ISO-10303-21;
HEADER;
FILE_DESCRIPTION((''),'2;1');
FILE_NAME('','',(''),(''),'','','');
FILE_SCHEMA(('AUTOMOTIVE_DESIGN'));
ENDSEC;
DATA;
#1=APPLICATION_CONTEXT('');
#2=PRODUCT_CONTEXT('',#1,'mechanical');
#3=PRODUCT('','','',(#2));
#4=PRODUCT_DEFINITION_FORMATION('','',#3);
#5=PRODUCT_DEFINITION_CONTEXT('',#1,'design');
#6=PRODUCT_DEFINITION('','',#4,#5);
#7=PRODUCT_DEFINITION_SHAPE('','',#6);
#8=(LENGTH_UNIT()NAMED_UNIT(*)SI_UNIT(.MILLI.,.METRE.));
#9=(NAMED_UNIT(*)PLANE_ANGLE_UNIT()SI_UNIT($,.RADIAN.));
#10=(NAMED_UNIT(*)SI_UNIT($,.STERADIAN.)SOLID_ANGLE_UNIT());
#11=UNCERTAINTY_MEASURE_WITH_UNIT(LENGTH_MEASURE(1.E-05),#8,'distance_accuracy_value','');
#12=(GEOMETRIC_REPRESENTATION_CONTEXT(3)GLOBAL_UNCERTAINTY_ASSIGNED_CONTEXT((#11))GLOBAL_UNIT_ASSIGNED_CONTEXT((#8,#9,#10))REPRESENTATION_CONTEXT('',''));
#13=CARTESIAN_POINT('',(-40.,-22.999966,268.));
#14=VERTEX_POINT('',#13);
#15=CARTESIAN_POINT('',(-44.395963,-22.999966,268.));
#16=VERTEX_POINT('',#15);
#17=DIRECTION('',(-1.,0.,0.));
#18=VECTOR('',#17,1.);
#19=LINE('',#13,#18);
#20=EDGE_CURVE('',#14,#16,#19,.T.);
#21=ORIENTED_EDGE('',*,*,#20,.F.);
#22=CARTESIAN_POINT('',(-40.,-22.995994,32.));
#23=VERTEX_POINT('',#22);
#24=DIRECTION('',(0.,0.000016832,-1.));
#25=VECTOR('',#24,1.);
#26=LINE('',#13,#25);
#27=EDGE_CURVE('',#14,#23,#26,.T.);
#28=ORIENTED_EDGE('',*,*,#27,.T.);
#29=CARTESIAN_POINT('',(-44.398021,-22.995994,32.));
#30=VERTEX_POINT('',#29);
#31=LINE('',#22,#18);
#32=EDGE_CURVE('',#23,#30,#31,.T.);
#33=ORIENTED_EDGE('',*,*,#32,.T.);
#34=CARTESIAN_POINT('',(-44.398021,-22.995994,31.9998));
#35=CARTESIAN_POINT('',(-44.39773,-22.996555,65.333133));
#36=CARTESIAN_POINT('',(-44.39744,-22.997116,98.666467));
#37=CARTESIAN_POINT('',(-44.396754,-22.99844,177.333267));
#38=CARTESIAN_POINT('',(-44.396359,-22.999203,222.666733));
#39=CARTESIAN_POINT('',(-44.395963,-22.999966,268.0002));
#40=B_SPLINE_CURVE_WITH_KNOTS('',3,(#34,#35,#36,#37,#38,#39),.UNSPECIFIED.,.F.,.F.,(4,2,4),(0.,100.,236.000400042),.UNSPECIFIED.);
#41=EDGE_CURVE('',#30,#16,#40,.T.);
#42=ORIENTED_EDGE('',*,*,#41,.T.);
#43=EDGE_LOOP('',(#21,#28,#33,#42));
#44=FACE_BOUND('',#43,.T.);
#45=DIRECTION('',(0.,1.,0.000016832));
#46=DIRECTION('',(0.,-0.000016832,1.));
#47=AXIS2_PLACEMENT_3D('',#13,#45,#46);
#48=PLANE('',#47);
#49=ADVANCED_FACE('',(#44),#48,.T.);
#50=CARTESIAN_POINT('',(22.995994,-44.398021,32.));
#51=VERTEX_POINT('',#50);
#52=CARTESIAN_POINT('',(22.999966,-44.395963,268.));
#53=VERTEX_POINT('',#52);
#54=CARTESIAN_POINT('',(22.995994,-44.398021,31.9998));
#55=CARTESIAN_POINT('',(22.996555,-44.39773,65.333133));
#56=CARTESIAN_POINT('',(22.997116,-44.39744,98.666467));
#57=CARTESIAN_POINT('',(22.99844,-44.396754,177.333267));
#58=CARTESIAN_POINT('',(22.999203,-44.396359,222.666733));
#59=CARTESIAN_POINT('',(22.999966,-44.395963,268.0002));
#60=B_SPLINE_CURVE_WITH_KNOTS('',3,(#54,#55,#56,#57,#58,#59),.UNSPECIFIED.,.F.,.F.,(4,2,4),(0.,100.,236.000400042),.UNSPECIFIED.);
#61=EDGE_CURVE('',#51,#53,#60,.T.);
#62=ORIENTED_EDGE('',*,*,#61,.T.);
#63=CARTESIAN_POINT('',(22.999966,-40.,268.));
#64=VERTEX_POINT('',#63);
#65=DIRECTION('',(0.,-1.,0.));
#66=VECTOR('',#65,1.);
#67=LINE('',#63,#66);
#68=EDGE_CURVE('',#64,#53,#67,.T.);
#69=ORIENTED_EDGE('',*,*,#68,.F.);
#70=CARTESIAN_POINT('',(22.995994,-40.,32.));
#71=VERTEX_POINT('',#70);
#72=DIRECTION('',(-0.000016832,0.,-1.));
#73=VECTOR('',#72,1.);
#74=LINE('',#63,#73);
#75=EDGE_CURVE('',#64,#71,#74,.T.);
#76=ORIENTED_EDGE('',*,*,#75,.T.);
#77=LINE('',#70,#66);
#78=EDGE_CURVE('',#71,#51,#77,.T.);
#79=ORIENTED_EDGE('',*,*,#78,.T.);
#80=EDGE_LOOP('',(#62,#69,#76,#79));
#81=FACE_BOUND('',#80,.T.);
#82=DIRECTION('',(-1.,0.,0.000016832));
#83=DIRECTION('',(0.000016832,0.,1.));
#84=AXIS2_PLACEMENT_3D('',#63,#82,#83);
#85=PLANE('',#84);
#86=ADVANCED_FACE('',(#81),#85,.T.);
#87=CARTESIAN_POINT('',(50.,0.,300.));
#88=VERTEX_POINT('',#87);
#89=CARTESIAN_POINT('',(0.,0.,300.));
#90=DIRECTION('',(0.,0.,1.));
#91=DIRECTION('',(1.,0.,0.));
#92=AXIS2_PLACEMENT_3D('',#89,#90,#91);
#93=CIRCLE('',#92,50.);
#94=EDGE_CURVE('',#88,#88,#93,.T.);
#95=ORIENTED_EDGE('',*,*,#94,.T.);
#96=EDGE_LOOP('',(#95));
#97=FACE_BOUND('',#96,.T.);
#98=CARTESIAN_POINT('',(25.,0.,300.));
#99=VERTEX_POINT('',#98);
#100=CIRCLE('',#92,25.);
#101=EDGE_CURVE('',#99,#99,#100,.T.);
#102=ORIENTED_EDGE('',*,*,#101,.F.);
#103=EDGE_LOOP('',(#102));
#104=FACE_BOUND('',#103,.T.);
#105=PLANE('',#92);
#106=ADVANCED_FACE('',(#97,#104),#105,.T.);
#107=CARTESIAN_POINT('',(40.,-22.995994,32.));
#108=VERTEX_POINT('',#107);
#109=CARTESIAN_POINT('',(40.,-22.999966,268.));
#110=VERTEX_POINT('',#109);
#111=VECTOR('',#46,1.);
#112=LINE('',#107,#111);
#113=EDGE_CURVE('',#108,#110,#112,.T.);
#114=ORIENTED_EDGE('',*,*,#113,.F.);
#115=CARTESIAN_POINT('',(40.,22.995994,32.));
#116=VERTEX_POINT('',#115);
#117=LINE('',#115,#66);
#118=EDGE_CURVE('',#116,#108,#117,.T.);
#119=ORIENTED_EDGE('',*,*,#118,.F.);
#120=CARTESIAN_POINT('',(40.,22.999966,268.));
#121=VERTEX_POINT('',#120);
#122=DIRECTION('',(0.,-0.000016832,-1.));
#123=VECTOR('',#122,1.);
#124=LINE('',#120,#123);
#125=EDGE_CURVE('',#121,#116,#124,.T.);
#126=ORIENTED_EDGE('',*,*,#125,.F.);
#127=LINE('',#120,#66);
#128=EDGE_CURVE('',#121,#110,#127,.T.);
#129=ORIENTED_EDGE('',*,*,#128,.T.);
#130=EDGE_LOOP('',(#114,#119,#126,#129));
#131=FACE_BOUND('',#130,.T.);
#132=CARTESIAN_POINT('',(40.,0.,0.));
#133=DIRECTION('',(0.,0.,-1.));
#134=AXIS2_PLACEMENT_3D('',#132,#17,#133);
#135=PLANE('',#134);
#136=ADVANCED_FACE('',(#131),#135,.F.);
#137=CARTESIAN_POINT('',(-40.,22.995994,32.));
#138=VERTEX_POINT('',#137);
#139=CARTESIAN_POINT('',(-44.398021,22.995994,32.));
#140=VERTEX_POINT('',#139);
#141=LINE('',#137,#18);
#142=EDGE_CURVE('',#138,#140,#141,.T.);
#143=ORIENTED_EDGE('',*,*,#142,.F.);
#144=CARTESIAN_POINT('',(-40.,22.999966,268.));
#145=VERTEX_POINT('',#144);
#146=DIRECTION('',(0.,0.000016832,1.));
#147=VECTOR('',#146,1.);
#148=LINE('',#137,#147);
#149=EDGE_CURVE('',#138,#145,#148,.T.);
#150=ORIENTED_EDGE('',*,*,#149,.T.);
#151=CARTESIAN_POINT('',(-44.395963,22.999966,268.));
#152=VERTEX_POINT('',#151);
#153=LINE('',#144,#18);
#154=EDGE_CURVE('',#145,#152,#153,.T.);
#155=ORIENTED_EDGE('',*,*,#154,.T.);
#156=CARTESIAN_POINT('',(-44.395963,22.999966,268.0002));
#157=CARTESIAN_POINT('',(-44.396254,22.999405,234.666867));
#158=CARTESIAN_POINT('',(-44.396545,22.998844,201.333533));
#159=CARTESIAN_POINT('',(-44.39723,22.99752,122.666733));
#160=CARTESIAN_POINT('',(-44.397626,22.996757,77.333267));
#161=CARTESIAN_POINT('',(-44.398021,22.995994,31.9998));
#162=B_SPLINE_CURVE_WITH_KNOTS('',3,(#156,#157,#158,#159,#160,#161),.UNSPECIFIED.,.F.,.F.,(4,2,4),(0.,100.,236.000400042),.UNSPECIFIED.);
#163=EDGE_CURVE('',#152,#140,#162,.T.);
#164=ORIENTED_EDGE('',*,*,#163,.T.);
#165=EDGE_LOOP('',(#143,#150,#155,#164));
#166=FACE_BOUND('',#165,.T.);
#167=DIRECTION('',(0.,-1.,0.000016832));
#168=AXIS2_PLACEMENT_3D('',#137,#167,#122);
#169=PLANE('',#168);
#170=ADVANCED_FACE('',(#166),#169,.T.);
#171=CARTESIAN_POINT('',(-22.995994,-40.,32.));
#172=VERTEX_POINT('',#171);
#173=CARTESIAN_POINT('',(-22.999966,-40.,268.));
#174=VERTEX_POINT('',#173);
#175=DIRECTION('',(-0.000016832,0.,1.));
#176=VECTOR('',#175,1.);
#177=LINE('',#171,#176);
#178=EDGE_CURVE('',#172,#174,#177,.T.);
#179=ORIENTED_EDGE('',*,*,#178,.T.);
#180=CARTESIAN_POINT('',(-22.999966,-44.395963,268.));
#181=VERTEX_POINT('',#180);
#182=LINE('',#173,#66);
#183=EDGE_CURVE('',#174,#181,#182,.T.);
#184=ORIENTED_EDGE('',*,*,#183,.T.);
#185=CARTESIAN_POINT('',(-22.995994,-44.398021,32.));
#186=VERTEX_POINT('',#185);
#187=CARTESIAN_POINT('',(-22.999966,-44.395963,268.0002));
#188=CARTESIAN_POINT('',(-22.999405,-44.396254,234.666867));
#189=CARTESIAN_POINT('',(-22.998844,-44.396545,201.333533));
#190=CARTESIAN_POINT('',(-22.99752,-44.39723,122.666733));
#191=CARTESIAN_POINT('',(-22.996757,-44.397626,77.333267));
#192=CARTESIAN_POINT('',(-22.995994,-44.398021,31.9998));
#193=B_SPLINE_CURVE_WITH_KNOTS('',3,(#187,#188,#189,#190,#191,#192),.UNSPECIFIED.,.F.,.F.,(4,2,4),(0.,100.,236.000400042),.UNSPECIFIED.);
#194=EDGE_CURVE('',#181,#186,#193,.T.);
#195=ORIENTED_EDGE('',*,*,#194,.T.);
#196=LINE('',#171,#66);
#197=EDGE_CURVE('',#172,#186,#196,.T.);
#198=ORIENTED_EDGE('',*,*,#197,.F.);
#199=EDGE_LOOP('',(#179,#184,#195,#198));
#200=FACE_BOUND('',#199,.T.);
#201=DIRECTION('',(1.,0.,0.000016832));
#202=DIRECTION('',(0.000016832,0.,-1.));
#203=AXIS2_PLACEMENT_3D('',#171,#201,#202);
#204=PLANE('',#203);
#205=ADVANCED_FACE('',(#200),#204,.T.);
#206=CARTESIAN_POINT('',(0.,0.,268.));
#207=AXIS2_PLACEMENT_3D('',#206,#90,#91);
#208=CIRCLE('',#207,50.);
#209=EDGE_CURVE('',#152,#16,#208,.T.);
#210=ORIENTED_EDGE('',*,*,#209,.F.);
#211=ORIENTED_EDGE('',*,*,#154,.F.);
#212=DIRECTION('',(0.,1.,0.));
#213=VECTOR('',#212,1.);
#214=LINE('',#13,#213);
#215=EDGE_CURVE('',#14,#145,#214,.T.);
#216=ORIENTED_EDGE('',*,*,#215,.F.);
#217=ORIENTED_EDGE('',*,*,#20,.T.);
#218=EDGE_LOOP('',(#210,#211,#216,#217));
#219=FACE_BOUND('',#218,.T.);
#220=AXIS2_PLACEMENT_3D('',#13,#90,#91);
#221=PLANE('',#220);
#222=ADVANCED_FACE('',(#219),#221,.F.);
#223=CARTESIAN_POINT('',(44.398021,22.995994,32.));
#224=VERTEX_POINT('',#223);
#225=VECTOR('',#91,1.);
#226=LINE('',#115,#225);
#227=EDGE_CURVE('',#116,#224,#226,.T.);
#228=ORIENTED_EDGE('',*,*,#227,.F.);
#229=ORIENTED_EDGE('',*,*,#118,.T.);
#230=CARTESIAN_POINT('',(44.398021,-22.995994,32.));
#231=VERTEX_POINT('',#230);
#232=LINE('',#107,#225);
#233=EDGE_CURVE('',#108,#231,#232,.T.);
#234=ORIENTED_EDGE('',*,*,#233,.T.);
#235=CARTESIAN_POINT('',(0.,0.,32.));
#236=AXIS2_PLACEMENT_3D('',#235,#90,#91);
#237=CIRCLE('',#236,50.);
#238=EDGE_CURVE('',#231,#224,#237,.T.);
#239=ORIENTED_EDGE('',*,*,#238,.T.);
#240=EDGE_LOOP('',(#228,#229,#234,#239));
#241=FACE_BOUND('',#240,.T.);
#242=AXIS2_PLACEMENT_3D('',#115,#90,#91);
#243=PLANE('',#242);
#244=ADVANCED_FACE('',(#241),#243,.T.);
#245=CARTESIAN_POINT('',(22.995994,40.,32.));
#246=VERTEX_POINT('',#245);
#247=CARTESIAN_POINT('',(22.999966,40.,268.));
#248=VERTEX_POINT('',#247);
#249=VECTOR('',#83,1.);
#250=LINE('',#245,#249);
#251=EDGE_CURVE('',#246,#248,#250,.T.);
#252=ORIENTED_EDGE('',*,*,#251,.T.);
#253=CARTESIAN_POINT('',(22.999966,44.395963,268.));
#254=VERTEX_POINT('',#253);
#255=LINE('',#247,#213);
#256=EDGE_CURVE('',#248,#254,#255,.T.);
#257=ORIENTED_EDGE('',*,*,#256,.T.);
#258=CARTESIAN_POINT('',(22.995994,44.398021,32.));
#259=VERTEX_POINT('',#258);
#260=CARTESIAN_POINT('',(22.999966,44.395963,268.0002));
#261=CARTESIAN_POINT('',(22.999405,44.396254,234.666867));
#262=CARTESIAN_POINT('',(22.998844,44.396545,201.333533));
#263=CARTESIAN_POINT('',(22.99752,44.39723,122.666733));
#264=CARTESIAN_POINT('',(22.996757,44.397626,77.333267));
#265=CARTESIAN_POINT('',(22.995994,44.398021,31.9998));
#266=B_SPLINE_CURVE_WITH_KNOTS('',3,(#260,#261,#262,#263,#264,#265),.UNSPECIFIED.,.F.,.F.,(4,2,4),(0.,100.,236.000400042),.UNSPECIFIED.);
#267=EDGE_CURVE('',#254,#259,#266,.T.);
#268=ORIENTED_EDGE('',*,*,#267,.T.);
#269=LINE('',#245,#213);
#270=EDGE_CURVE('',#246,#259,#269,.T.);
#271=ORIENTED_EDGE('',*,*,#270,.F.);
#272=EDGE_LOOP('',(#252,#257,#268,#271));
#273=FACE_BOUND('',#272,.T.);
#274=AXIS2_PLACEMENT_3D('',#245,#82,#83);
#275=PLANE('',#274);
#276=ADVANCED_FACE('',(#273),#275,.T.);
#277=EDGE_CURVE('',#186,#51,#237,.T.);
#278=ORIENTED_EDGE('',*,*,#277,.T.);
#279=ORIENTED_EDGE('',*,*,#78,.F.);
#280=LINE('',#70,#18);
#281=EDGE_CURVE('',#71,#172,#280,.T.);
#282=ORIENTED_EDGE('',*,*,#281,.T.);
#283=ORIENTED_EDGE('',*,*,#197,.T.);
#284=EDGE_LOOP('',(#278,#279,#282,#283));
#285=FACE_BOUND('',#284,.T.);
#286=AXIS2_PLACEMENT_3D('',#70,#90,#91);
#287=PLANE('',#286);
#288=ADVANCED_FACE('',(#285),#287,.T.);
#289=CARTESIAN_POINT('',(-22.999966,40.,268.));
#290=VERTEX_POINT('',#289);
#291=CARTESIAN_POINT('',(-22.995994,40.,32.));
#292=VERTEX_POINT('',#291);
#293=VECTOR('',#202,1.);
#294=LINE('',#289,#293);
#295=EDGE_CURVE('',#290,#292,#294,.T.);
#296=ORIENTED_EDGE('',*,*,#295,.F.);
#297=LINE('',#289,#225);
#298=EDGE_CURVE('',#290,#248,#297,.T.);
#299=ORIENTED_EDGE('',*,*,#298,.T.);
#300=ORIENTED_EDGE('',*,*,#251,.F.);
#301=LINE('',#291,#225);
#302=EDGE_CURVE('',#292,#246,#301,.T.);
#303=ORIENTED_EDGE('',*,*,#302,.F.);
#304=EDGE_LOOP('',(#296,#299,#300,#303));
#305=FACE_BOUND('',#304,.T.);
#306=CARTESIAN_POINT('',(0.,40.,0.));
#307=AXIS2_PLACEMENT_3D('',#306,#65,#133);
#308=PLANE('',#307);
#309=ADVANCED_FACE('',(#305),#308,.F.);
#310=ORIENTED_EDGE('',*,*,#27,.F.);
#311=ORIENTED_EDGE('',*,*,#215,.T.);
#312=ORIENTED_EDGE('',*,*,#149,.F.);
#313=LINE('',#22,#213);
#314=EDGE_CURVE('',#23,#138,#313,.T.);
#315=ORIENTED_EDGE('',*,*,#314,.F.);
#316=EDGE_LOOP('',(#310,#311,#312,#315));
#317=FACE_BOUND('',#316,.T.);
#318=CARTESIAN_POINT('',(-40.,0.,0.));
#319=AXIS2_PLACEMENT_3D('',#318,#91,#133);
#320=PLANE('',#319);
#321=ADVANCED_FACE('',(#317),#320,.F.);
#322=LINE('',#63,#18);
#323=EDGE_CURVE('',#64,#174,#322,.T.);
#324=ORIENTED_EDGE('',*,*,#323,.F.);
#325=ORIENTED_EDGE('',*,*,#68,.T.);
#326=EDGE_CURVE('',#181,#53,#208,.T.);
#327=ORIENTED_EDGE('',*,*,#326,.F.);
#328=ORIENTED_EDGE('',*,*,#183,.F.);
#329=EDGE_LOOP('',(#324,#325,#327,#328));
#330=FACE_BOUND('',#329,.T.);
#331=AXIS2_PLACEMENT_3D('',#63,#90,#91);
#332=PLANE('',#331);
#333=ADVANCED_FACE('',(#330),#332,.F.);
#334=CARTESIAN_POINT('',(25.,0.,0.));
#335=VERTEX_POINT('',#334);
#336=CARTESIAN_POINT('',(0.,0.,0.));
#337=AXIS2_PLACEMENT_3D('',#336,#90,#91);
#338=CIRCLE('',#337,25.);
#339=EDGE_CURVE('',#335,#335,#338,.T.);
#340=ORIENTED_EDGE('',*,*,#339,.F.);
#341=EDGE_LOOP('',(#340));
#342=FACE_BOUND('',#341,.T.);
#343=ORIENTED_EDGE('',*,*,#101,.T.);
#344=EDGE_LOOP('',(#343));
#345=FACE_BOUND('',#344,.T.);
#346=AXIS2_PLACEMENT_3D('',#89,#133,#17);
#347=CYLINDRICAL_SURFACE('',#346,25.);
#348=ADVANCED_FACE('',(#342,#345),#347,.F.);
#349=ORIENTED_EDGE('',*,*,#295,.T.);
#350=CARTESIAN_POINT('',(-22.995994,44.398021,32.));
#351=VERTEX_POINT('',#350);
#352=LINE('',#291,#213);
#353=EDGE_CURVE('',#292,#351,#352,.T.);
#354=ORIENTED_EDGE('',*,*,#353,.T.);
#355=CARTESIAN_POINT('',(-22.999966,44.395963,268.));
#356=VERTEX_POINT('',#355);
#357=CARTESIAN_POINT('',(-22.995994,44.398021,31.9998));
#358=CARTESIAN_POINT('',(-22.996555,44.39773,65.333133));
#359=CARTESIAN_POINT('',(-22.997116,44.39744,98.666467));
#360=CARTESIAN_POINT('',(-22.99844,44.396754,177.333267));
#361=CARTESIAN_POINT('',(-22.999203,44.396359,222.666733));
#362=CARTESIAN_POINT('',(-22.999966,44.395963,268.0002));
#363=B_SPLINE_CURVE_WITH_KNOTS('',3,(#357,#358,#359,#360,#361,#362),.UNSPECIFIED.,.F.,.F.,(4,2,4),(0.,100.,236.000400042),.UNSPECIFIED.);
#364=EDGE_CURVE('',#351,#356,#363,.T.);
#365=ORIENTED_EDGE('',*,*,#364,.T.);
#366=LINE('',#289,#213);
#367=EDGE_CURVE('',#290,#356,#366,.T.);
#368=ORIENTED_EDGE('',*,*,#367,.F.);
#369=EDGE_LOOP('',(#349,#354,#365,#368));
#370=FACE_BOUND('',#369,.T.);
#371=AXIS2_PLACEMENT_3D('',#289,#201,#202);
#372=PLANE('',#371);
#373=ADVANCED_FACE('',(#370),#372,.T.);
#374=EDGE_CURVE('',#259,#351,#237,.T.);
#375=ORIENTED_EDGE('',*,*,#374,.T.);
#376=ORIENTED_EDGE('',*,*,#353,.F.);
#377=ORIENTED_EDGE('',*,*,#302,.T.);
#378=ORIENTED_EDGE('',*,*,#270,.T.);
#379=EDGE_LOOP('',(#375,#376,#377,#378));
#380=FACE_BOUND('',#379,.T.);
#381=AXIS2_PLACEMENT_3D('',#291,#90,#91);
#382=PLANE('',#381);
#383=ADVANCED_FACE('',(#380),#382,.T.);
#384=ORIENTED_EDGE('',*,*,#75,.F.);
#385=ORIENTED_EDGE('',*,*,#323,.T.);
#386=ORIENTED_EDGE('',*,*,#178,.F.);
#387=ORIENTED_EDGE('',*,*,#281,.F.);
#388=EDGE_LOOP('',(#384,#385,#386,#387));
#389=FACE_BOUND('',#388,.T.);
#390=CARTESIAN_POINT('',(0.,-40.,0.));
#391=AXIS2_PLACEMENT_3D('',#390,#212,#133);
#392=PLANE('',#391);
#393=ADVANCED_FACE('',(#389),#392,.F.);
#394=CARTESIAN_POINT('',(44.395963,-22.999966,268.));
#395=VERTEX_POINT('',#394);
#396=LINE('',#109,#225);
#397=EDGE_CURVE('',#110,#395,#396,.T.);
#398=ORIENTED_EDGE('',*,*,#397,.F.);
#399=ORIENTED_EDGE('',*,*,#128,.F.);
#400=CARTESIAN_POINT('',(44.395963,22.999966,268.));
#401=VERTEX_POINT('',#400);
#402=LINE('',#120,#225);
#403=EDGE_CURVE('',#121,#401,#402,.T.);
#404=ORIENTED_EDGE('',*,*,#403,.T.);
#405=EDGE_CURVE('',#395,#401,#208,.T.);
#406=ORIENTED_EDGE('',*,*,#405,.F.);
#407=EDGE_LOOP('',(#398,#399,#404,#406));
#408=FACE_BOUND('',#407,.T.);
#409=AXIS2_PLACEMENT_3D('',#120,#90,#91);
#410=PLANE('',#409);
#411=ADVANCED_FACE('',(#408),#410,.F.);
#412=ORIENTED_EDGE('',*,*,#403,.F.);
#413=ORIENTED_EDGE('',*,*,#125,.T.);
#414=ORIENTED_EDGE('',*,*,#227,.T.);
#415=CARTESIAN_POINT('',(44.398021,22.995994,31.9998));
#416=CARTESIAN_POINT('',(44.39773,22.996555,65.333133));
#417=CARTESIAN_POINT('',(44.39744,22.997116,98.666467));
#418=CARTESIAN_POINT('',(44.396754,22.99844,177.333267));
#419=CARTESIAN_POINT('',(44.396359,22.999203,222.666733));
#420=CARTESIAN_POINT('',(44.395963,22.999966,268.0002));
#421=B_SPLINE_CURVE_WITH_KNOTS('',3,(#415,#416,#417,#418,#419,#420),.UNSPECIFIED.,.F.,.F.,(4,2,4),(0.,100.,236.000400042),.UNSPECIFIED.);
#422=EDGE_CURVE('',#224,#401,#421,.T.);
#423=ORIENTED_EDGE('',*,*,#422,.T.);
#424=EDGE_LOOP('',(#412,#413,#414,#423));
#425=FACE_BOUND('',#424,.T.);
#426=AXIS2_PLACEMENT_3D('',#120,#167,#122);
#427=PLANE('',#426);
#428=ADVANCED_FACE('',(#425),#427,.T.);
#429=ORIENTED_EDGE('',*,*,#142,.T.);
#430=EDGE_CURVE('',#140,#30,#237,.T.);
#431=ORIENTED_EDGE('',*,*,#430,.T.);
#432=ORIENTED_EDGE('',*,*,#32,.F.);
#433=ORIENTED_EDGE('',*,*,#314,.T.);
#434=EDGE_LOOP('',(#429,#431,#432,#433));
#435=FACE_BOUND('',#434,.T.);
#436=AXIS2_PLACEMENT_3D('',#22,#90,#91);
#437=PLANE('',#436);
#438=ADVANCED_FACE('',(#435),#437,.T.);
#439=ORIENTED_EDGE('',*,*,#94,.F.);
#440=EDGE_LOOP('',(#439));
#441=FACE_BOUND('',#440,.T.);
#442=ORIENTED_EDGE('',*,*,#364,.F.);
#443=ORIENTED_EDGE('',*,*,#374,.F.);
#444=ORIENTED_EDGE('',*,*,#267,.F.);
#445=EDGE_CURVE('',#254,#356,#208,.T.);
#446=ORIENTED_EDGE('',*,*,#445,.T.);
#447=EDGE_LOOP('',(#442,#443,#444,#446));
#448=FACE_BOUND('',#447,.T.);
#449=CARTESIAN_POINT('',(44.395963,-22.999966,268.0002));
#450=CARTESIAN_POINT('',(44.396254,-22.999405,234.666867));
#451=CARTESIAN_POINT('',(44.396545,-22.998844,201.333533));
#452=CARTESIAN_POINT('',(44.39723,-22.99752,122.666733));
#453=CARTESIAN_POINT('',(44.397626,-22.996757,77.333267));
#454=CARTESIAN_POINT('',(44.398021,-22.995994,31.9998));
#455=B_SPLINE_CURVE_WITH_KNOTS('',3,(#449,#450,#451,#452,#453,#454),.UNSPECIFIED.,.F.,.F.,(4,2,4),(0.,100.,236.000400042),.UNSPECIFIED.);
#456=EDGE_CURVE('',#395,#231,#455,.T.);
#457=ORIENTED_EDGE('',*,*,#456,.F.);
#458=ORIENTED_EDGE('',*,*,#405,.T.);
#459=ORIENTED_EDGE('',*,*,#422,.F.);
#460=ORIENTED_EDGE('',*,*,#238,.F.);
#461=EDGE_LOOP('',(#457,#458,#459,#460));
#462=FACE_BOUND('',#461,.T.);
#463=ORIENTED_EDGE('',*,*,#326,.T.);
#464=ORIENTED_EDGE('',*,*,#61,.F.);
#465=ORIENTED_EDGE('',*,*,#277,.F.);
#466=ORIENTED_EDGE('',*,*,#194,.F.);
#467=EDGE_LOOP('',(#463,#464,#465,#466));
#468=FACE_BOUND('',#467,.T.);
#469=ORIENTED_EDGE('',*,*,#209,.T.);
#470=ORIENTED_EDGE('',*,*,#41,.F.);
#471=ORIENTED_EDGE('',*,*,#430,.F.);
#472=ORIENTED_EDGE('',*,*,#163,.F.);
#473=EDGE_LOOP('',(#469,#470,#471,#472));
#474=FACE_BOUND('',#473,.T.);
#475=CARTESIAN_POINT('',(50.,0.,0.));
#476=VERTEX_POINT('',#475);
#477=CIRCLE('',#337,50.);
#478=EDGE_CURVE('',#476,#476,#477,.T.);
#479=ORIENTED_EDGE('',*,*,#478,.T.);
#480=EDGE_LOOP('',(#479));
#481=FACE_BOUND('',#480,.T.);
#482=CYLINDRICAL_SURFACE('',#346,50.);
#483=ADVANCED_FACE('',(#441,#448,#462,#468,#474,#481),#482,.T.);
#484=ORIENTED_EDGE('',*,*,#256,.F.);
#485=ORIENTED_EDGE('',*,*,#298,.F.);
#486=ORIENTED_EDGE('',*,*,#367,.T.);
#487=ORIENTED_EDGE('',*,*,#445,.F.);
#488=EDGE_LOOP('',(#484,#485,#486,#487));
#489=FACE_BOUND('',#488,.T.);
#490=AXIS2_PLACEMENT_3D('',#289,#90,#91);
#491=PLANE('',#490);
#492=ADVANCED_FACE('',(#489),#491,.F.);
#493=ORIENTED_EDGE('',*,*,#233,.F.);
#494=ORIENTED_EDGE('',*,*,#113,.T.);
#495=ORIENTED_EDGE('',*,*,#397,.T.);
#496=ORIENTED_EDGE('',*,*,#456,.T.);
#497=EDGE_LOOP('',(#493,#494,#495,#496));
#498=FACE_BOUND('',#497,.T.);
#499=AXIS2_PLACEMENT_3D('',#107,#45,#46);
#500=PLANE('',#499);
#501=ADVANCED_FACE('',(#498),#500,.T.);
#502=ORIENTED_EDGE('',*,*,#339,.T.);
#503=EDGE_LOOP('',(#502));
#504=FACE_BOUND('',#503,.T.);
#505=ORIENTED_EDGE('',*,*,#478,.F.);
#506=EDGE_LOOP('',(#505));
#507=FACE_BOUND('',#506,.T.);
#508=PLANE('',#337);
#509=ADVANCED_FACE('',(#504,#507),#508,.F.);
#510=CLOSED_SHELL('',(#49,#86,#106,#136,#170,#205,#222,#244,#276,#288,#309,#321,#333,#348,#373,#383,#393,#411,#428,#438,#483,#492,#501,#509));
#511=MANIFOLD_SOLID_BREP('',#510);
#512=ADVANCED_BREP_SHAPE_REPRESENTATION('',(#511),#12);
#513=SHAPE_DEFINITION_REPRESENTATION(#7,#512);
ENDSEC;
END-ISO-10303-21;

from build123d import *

# Parameters (mm, degrees)
SKETCH1_R           = 50
SKETCH1_R_2         = 25
BOSS_EXTRUDE1_DEPTH = 300
CUT_EXTRUDE1_DEPTH  = 10
CIRPATTERN1_COUNT   = 4


with BuildPart() as part:
    # Sketch1 → Boss-Extrude1 (new body)
    with BuildSketch(Plane.XY):
        Circle(SKETCH1_R)
        Circle(SKETCH1_R_2, mode=Mode.SUBTRACT)
    extrude(amount=BOSS_EXTRUDE1_DEPTH)

    # Sketch2 → Cut-Extrude1 (cut)
    with BuildSketch(Plane(origin=(0, 50, 0), x_dir=(1, 0, 0), z_dir=(0, 1, 0))):
        Polygon((-22.999966335, -268), (-22.995993926, -32), (22.995993926, -32), (22.999966335, -268), align=None)
    cut_extrude1 = extrude(amount=-CUT_EXTRUDE1_DEPTH, mode=Mode.SUBTRACT)

    # CirPattern1: Cut-Extrude1 ×4 about axis
    cirpattern1_axis = Axis((0, 0, 0), (0, 0, 1))
    for i in range(1, CIRPATTERN1_COUNT):
        add(cut_extrude1.rotate(cirpattern1_axis, i * 360 / CIRPATTERN1_COUNT), mode=Mode.SUBTRACT)


solid = part.part
